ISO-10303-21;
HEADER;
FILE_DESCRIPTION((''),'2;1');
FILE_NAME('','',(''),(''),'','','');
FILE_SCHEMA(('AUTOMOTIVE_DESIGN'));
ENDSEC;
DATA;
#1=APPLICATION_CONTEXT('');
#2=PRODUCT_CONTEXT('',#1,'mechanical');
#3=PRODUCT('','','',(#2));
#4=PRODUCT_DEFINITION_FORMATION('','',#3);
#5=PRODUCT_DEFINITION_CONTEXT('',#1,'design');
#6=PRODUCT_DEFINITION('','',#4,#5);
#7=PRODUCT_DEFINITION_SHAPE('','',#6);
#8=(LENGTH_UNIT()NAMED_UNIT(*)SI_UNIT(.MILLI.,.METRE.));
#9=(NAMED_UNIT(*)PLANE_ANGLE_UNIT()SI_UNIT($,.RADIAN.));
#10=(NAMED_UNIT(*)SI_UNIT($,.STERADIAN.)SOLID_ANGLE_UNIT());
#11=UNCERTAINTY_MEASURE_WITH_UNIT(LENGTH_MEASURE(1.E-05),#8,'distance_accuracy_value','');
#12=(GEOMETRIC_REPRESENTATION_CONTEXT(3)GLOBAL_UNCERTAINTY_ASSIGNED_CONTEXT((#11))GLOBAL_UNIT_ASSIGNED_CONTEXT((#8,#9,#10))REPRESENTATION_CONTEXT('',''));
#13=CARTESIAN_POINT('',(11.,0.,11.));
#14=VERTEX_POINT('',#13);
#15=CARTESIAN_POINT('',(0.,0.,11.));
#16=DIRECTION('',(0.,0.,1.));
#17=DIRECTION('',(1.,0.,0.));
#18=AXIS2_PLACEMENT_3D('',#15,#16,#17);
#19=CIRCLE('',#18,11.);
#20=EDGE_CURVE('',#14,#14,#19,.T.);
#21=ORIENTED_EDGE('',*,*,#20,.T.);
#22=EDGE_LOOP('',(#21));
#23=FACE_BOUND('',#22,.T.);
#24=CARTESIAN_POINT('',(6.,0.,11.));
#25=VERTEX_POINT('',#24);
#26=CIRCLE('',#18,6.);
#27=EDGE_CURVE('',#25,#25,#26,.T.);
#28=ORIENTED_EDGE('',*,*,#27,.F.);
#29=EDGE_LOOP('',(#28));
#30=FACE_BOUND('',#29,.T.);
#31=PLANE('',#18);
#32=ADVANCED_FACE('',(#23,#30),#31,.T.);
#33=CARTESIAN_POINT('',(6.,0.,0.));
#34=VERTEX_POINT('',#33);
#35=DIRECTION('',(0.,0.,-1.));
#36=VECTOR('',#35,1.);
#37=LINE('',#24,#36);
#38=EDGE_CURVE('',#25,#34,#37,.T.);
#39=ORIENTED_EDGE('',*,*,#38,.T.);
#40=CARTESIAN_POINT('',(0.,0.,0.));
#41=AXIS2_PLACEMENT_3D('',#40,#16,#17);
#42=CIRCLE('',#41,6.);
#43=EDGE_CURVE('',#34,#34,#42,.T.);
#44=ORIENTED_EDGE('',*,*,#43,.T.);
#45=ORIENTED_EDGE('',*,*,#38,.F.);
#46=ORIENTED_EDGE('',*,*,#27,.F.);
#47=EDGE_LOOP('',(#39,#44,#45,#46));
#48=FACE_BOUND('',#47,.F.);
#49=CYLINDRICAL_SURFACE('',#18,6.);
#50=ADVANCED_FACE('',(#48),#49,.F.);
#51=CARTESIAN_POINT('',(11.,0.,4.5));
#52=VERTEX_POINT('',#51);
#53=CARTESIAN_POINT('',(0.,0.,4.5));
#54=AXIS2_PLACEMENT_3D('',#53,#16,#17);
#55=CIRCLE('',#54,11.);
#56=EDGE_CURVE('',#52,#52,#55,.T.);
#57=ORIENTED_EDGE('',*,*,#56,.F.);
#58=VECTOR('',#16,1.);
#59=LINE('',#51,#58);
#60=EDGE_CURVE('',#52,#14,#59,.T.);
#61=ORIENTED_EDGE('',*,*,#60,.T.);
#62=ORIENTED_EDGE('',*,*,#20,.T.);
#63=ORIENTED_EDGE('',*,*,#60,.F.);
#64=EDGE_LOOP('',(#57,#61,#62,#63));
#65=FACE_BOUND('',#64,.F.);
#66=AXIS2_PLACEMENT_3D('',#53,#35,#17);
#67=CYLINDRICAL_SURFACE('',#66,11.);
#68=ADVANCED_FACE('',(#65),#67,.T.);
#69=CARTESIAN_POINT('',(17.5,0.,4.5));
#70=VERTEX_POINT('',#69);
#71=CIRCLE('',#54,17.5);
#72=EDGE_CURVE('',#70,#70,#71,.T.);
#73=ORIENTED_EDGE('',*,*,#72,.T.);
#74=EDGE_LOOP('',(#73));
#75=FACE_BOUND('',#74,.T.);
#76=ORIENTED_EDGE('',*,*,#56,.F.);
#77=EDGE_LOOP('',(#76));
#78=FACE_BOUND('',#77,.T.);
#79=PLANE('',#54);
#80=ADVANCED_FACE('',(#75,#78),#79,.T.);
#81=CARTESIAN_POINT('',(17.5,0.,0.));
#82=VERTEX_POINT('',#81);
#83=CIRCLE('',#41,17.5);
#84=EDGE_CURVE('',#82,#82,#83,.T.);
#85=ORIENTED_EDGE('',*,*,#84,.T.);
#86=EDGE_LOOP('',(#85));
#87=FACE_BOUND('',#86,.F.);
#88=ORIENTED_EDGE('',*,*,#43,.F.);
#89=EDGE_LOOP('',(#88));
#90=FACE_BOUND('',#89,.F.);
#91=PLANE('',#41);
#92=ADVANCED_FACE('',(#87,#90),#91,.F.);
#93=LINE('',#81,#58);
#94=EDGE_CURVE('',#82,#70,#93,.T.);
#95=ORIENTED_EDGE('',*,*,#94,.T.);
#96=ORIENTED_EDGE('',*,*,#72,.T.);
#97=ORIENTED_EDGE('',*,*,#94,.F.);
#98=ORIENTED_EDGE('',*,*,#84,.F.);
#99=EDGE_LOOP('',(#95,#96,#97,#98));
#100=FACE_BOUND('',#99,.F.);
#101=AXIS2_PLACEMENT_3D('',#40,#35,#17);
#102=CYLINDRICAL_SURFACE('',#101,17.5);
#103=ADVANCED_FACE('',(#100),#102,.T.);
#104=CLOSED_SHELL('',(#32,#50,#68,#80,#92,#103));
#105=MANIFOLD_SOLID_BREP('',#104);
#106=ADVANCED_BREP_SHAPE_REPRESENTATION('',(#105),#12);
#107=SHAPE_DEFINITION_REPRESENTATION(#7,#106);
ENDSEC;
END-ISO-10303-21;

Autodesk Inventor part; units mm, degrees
ref_plane "YZ Plane" through (0, 0, 0) normal (1, 0, 0) x (0, 1, 0)
ref_plane "XZ Plane" through (0, 0, 0) normal (0, 1, 0) x (-1, 0, 0)
ref_plane "XY Plane" through (0, 0, 0) normal (0, 0, 1) x (1, 0, 0)
sketch "Sketch1" plane through (0, 0, 0) normal (0, 0, 1) x (1, 0, 0)
  circle A0 centre (0, 0) radius 17.5
  dimension "d0" = 35
extrude "Extrusion1" add sketch "Sketch1" along normal blind 4.5
sketch "Sketch2" plane through (0, 0, 4.5) normal (0, 0, 1) x (1, 0, 0)
  circle A0 centre (0, 0) radius 17.5 projected
  circle A1 centre (0, 0) radius 11
  dimension "d3" = 22
extrude "Extrusion2" add sketch "Sketch2" along normal blind 6.5 contours A1
sketch "Sketch3" plane through (0, 0, 11) normal (0, 0, 1) x (1, 0, 0)
  circle A0 centre (0, 0) radius 11 projected
  circle A1 centre (0, 0) radius 6
  dimension "d6" = 12
extrude "Extrusion3" cut sketch "Sketch3" against normal through all contours A1
properties part number "culinder cap"
